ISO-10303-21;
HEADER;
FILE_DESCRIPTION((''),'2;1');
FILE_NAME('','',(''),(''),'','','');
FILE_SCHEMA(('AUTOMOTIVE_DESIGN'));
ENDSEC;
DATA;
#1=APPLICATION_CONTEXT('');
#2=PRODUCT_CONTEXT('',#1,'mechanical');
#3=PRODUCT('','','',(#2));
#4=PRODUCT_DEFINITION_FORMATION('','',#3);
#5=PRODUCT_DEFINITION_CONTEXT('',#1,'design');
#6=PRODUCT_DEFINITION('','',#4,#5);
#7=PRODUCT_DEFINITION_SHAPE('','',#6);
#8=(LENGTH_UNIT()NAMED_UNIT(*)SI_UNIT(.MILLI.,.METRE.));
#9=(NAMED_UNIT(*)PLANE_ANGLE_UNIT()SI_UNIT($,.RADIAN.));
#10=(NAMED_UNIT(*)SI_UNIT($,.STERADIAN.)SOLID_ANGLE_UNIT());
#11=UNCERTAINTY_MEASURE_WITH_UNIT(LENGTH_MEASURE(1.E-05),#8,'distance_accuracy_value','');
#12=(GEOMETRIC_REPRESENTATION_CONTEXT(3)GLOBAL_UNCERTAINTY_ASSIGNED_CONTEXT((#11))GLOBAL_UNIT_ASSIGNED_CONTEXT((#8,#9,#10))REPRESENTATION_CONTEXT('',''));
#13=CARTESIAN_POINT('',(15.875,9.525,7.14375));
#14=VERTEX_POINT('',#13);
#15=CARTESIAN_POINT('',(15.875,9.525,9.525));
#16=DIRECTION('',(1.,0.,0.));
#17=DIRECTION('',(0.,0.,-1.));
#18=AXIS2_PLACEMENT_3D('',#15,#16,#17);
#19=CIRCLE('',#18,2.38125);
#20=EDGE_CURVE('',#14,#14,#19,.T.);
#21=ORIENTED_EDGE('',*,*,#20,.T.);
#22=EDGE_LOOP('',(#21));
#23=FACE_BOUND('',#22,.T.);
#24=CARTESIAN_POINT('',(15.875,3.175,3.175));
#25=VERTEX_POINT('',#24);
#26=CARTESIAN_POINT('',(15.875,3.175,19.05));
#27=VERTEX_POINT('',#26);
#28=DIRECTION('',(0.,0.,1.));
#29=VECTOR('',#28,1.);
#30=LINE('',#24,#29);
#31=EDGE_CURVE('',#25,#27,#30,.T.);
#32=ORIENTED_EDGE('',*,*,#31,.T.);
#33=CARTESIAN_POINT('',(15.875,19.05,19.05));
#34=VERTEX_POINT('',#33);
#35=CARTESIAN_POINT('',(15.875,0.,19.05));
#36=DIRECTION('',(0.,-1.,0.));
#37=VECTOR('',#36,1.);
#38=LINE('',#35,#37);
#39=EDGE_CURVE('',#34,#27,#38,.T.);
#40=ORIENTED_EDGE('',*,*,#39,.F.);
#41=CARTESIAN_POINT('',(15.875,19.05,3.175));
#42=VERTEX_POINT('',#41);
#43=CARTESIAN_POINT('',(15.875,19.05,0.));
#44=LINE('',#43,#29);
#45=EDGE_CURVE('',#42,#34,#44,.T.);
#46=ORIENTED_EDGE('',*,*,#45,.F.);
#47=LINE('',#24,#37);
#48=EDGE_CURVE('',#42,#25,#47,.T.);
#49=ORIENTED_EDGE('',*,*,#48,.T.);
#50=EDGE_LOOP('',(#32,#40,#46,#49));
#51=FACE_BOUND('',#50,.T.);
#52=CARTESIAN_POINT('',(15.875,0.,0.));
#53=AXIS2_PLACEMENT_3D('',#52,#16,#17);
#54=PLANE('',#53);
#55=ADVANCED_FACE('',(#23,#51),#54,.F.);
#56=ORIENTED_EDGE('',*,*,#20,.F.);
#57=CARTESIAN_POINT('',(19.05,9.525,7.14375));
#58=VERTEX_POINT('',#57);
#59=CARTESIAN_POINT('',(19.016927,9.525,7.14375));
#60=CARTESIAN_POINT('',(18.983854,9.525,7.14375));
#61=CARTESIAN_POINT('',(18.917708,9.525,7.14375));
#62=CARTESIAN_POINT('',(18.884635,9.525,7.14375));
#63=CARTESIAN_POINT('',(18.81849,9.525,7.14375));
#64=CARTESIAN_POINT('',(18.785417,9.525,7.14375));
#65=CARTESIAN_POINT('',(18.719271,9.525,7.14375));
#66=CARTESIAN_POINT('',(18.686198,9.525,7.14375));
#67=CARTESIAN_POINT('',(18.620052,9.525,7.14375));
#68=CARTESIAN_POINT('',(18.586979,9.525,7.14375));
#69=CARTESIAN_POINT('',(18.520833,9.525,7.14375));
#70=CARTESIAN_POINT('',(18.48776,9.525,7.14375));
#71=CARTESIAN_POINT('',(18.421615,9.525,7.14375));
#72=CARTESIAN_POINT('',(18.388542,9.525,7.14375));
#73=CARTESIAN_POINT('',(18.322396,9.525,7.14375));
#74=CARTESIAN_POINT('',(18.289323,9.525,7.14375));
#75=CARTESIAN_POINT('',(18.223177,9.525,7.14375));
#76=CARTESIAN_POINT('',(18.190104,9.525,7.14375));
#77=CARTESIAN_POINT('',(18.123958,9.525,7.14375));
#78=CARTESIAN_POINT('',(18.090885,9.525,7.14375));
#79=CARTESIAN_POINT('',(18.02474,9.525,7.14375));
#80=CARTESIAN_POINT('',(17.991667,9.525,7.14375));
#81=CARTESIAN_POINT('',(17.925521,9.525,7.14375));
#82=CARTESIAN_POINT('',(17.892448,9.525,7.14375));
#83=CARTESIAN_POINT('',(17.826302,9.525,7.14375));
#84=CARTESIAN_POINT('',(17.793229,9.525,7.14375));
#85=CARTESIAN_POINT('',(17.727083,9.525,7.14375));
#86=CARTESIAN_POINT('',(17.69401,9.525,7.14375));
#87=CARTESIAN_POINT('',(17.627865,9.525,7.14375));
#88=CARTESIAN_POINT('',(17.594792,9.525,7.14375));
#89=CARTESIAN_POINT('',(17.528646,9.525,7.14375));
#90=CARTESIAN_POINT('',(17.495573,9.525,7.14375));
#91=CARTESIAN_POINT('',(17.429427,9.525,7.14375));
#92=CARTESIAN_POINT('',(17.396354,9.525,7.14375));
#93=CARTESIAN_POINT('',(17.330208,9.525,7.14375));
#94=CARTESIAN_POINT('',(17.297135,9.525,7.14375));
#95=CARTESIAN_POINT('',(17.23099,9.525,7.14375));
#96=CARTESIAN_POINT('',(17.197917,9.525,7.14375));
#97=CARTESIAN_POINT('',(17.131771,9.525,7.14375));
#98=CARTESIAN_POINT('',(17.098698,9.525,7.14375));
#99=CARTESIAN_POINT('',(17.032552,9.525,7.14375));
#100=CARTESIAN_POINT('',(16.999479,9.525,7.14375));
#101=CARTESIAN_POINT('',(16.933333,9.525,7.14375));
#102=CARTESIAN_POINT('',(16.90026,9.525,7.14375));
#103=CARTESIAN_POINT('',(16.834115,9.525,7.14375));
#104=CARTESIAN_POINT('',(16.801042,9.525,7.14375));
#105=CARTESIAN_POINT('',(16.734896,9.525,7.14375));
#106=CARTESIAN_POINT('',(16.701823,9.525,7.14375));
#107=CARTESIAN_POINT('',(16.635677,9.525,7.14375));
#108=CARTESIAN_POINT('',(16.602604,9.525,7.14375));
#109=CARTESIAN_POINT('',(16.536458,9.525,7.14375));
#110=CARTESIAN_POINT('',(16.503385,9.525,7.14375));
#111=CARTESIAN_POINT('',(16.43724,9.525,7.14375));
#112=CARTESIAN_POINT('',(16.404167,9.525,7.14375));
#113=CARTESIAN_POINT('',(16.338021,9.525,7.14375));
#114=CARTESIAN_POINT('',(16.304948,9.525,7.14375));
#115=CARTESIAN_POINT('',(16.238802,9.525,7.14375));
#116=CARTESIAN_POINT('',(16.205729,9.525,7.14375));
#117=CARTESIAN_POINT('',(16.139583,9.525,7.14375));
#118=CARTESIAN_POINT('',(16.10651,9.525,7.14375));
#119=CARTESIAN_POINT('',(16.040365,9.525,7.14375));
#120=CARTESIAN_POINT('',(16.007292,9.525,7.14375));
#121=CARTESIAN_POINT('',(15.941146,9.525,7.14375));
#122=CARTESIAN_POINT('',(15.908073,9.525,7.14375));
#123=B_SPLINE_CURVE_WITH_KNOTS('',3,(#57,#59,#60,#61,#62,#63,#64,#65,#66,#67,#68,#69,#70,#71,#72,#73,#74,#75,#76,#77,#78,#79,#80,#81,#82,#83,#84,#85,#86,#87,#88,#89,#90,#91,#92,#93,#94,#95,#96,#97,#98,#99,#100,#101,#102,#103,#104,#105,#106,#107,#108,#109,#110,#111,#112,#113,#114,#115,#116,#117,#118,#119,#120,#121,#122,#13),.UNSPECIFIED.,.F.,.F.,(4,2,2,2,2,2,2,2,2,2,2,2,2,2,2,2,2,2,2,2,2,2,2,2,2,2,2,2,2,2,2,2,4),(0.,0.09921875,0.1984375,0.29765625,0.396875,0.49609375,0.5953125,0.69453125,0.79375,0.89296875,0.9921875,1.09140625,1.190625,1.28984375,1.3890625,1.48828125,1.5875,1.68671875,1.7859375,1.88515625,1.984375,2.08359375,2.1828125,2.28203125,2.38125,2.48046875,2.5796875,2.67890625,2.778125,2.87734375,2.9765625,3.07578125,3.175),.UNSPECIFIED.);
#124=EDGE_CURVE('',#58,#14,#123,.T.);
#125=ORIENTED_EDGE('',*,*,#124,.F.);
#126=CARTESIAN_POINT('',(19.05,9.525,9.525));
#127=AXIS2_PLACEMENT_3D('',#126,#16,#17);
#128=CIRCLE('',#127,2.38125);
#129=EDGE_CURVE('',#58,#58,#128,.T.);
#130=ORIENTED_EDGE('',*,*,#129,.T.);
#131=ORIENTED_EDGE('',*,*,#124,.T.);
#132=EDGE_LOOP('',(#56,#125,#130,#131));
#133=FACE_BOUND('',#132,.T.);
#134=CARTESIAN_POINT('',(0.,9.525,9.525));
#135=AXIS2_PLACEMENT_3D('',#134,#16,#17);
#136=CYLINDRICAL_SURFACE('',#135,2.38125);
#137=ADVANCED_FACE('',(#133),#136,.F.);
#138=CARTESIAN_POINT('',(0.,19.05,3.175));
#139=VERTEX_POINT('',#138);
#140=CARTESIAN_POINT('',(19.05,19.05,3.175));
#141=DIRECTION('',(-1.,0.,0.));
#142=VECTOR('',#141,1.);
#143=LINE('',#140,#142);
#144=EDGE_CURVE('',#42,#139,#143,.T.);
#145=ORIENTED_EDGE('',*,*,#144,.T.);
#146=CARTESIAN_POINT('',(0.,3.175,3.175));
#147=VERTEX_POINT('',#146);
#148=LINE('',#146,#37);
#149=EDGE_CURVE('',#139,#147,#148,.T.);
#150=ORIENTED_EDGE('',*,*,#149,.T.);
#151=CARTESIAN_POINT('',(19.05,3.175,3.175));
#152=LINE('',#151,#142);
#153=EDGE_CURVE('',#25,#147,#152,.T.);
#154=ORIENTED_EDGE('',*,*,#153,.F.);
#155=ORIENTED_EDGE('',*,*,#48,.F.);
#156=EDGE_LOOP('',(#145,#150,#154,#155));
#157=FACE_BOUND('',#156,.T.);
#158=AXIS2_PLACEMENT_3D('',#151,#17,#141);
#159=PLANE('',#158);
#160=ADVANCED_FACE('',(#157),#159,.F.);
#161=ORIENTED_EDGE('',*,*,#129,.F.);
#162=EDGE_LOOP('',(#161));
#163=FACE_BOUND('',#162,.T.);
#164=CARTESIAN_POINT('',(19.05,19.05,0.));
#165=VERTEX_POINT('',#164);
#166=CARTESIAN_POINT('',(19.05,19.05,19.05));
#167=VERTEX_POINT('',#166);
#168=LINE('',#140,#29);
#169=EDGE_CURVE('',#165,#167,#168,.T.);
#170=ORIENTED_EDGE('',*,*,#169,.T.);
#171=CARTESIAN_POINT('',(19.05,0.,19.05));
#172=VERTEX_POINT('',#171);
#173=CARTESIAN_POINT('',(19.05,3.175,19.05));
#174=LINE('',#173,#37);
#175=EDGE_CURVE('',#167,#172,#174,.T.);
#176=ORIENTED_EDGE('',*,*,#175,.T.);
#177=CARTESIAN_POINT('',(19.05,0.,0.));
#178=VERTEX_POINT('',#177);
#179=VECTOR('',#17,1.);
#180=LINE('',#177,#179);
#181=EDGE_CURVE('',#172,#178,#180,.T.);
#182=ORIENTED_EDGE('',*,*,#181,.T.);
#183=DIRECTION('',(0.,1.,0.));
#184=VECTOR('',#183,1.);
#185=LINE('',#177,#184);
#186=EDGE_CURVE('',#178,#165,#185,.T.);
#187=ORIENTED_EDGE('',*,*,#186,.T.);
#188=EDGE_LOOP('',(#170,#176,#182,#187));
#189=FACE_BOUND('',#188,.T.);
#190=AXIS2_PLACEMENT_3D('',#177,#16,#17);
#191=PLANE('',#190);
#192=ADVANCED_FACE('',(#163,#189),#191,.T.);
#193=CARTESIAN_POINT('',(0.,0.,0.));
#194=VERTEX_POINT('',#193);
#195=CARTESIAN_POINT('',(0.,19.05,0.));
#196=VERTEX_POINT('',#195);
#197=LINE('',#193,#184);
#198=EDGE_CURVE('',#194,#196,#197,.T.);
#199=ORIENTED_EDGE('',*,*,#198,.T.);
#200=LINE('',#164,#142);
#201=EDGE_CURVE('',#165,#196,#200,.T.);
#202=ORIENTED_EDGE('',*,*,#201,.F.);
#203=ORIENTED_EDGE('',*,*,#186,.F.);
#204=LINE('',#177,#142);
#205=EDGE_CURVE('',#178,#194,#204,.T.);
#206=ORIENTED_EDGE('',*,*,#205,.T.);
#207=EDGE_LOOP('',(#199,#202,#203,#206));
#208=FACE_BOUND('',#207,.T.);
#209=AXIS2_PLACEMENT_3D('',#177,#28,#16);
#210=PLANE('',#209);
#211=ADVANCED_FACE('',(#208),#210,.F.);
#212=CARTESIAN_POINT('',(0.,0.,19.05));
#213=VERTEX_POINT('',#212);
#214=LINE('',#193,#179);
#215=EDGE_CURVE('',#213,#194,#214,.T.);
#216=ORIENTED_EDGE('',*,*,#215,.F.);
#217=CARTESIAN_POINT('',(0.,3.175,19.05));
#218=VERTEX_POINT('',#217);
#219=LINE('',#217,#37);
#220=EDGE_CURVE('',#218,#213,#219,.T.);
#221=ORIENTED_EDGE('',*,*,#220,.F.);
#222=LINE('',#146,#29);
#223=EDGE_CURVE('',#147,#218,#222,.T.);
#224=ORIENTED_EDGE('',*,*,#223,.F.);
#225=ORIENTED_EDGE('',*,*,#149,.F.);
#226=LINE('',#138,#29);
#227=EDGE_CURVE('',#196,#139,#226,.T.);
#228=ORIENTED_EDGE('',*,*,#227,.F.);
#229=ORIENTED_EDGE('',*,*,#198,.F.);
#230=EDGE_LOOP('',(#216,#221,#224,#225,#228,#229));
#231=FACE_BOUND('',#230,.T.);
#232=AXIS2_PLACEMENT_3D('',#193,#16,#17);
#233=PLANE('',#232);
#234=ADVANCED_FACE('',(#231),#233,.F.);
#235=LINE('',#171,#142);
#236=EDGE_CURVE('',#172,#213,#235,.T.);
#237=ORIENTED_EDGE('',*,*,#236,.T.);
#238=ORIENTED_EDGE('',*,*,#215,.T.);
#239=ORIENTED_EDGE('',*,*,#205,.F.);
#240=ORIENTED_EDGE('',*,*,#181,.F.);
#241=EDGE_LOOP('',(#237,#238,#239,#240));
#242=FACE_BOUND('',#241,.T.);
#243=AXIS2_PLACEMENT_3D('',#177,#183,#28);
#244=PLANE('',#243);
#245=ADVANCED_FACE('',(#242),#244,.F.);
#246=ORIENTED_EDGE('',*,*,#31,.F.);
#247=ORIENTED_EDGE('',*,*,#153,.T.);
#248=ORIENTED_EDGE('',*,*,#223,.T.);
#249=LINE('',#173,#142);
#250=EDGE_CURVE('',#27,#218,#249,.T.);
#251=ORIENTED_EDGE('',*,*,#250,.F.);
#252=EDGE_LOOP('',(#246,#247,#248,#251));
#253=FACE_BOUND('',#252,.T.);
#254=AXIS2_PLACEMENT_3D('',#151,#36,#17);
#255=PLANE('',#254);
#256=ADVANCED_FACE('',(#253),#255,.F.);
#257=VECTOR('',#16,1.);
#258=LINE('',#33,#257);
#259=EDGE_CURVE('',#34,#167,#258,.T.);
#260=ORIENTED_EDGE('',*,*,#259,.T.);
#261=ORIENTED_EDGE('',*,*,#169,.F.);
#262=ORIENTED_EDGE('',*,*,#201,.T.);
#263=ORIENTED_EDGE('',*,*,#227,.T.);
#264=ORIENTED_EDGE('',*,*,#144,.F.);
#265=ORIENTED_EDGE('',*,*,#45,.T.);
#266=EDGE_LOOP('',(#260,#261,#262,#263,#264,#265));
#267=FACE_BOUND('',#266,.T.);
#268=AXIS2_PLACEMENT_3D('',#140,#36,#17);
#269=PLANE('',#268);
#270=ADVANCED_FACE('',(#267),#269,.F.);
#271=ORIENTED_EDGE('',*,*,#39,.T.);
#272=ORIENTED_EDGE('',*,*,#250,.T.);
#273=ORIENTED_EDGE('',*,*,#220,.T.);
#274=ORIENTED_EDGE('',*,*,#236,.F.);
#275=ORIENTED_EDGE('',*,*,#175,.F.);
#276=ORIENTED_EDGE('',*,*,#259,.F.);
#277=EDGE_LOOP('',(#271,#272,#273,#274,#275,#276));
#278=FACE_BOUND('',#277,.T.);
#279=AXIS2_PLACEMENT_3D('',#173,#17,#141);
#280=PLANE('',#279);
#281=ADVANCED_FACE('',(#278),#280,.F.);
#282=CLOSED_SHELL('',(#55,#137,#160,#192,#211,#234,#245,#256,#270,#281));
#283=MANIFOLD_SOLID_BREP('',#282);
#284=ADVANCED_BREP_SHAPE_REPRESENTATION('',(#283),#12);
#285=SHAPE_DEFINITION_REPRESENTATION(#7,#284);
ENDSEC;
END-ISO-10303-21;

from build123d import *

# Parameters (mm, degrees)
BOSS_EXTRUDE1_DEPTH = 19.05
SKETCH3_W           = 19.05
SKETCH3_H           = 19.05
BOSS_EXTRUDE2_DEPTH = 3.175
SKETCH4_R           = 2.38125
CUT_EXTRUDE1_DEPTH  = 33.995567884


with BuildPart() as part:
    # Sketch2 → Boss-Extrude1 (new body)
    with BuildSketch(Plane(origin=(0, 0, 0), x_dir=(0, 0, -1), z_dir=(1, 0, 0))):
        Polygon((0, 0), (0, 19.05), (-3.175, 19.05), (-3.175, 3.175), (-19.05, 3.175), (-19.05, 0), align=None)
    extrude(amount=BOSS_EXTRUDE1_DEPTH)

    # Sketch3 → Boss-Extrude2 (add)
    with BuildSketch(Plane(origin=(19.05, 0, 0), x_dir=(0, 0, -1), z_dir=(1, 0, 0))):
        with Locations((-9.525, 9.525)):
            Rectangle(SKETCH3_W, SKETCH3_H)
    extrude(amount=-BOSS_EXTRUDE2_DEPTH)

    # Sketch4 → Cut-Extrude1 (cut, through all)
    with BuildSketch(Plane(origin=(19.05, 0, 0), x_dir=(0, 0, -1), z_dir=(1, 0, 0))):
        with Locations((-9.525, 9.525)):
            Circle(SKETCH4_R)
    extrude(amount=-CUT_EXTRUDE1_DEPTH, mode=Mode.SUBTRACT)


solid = part.part
